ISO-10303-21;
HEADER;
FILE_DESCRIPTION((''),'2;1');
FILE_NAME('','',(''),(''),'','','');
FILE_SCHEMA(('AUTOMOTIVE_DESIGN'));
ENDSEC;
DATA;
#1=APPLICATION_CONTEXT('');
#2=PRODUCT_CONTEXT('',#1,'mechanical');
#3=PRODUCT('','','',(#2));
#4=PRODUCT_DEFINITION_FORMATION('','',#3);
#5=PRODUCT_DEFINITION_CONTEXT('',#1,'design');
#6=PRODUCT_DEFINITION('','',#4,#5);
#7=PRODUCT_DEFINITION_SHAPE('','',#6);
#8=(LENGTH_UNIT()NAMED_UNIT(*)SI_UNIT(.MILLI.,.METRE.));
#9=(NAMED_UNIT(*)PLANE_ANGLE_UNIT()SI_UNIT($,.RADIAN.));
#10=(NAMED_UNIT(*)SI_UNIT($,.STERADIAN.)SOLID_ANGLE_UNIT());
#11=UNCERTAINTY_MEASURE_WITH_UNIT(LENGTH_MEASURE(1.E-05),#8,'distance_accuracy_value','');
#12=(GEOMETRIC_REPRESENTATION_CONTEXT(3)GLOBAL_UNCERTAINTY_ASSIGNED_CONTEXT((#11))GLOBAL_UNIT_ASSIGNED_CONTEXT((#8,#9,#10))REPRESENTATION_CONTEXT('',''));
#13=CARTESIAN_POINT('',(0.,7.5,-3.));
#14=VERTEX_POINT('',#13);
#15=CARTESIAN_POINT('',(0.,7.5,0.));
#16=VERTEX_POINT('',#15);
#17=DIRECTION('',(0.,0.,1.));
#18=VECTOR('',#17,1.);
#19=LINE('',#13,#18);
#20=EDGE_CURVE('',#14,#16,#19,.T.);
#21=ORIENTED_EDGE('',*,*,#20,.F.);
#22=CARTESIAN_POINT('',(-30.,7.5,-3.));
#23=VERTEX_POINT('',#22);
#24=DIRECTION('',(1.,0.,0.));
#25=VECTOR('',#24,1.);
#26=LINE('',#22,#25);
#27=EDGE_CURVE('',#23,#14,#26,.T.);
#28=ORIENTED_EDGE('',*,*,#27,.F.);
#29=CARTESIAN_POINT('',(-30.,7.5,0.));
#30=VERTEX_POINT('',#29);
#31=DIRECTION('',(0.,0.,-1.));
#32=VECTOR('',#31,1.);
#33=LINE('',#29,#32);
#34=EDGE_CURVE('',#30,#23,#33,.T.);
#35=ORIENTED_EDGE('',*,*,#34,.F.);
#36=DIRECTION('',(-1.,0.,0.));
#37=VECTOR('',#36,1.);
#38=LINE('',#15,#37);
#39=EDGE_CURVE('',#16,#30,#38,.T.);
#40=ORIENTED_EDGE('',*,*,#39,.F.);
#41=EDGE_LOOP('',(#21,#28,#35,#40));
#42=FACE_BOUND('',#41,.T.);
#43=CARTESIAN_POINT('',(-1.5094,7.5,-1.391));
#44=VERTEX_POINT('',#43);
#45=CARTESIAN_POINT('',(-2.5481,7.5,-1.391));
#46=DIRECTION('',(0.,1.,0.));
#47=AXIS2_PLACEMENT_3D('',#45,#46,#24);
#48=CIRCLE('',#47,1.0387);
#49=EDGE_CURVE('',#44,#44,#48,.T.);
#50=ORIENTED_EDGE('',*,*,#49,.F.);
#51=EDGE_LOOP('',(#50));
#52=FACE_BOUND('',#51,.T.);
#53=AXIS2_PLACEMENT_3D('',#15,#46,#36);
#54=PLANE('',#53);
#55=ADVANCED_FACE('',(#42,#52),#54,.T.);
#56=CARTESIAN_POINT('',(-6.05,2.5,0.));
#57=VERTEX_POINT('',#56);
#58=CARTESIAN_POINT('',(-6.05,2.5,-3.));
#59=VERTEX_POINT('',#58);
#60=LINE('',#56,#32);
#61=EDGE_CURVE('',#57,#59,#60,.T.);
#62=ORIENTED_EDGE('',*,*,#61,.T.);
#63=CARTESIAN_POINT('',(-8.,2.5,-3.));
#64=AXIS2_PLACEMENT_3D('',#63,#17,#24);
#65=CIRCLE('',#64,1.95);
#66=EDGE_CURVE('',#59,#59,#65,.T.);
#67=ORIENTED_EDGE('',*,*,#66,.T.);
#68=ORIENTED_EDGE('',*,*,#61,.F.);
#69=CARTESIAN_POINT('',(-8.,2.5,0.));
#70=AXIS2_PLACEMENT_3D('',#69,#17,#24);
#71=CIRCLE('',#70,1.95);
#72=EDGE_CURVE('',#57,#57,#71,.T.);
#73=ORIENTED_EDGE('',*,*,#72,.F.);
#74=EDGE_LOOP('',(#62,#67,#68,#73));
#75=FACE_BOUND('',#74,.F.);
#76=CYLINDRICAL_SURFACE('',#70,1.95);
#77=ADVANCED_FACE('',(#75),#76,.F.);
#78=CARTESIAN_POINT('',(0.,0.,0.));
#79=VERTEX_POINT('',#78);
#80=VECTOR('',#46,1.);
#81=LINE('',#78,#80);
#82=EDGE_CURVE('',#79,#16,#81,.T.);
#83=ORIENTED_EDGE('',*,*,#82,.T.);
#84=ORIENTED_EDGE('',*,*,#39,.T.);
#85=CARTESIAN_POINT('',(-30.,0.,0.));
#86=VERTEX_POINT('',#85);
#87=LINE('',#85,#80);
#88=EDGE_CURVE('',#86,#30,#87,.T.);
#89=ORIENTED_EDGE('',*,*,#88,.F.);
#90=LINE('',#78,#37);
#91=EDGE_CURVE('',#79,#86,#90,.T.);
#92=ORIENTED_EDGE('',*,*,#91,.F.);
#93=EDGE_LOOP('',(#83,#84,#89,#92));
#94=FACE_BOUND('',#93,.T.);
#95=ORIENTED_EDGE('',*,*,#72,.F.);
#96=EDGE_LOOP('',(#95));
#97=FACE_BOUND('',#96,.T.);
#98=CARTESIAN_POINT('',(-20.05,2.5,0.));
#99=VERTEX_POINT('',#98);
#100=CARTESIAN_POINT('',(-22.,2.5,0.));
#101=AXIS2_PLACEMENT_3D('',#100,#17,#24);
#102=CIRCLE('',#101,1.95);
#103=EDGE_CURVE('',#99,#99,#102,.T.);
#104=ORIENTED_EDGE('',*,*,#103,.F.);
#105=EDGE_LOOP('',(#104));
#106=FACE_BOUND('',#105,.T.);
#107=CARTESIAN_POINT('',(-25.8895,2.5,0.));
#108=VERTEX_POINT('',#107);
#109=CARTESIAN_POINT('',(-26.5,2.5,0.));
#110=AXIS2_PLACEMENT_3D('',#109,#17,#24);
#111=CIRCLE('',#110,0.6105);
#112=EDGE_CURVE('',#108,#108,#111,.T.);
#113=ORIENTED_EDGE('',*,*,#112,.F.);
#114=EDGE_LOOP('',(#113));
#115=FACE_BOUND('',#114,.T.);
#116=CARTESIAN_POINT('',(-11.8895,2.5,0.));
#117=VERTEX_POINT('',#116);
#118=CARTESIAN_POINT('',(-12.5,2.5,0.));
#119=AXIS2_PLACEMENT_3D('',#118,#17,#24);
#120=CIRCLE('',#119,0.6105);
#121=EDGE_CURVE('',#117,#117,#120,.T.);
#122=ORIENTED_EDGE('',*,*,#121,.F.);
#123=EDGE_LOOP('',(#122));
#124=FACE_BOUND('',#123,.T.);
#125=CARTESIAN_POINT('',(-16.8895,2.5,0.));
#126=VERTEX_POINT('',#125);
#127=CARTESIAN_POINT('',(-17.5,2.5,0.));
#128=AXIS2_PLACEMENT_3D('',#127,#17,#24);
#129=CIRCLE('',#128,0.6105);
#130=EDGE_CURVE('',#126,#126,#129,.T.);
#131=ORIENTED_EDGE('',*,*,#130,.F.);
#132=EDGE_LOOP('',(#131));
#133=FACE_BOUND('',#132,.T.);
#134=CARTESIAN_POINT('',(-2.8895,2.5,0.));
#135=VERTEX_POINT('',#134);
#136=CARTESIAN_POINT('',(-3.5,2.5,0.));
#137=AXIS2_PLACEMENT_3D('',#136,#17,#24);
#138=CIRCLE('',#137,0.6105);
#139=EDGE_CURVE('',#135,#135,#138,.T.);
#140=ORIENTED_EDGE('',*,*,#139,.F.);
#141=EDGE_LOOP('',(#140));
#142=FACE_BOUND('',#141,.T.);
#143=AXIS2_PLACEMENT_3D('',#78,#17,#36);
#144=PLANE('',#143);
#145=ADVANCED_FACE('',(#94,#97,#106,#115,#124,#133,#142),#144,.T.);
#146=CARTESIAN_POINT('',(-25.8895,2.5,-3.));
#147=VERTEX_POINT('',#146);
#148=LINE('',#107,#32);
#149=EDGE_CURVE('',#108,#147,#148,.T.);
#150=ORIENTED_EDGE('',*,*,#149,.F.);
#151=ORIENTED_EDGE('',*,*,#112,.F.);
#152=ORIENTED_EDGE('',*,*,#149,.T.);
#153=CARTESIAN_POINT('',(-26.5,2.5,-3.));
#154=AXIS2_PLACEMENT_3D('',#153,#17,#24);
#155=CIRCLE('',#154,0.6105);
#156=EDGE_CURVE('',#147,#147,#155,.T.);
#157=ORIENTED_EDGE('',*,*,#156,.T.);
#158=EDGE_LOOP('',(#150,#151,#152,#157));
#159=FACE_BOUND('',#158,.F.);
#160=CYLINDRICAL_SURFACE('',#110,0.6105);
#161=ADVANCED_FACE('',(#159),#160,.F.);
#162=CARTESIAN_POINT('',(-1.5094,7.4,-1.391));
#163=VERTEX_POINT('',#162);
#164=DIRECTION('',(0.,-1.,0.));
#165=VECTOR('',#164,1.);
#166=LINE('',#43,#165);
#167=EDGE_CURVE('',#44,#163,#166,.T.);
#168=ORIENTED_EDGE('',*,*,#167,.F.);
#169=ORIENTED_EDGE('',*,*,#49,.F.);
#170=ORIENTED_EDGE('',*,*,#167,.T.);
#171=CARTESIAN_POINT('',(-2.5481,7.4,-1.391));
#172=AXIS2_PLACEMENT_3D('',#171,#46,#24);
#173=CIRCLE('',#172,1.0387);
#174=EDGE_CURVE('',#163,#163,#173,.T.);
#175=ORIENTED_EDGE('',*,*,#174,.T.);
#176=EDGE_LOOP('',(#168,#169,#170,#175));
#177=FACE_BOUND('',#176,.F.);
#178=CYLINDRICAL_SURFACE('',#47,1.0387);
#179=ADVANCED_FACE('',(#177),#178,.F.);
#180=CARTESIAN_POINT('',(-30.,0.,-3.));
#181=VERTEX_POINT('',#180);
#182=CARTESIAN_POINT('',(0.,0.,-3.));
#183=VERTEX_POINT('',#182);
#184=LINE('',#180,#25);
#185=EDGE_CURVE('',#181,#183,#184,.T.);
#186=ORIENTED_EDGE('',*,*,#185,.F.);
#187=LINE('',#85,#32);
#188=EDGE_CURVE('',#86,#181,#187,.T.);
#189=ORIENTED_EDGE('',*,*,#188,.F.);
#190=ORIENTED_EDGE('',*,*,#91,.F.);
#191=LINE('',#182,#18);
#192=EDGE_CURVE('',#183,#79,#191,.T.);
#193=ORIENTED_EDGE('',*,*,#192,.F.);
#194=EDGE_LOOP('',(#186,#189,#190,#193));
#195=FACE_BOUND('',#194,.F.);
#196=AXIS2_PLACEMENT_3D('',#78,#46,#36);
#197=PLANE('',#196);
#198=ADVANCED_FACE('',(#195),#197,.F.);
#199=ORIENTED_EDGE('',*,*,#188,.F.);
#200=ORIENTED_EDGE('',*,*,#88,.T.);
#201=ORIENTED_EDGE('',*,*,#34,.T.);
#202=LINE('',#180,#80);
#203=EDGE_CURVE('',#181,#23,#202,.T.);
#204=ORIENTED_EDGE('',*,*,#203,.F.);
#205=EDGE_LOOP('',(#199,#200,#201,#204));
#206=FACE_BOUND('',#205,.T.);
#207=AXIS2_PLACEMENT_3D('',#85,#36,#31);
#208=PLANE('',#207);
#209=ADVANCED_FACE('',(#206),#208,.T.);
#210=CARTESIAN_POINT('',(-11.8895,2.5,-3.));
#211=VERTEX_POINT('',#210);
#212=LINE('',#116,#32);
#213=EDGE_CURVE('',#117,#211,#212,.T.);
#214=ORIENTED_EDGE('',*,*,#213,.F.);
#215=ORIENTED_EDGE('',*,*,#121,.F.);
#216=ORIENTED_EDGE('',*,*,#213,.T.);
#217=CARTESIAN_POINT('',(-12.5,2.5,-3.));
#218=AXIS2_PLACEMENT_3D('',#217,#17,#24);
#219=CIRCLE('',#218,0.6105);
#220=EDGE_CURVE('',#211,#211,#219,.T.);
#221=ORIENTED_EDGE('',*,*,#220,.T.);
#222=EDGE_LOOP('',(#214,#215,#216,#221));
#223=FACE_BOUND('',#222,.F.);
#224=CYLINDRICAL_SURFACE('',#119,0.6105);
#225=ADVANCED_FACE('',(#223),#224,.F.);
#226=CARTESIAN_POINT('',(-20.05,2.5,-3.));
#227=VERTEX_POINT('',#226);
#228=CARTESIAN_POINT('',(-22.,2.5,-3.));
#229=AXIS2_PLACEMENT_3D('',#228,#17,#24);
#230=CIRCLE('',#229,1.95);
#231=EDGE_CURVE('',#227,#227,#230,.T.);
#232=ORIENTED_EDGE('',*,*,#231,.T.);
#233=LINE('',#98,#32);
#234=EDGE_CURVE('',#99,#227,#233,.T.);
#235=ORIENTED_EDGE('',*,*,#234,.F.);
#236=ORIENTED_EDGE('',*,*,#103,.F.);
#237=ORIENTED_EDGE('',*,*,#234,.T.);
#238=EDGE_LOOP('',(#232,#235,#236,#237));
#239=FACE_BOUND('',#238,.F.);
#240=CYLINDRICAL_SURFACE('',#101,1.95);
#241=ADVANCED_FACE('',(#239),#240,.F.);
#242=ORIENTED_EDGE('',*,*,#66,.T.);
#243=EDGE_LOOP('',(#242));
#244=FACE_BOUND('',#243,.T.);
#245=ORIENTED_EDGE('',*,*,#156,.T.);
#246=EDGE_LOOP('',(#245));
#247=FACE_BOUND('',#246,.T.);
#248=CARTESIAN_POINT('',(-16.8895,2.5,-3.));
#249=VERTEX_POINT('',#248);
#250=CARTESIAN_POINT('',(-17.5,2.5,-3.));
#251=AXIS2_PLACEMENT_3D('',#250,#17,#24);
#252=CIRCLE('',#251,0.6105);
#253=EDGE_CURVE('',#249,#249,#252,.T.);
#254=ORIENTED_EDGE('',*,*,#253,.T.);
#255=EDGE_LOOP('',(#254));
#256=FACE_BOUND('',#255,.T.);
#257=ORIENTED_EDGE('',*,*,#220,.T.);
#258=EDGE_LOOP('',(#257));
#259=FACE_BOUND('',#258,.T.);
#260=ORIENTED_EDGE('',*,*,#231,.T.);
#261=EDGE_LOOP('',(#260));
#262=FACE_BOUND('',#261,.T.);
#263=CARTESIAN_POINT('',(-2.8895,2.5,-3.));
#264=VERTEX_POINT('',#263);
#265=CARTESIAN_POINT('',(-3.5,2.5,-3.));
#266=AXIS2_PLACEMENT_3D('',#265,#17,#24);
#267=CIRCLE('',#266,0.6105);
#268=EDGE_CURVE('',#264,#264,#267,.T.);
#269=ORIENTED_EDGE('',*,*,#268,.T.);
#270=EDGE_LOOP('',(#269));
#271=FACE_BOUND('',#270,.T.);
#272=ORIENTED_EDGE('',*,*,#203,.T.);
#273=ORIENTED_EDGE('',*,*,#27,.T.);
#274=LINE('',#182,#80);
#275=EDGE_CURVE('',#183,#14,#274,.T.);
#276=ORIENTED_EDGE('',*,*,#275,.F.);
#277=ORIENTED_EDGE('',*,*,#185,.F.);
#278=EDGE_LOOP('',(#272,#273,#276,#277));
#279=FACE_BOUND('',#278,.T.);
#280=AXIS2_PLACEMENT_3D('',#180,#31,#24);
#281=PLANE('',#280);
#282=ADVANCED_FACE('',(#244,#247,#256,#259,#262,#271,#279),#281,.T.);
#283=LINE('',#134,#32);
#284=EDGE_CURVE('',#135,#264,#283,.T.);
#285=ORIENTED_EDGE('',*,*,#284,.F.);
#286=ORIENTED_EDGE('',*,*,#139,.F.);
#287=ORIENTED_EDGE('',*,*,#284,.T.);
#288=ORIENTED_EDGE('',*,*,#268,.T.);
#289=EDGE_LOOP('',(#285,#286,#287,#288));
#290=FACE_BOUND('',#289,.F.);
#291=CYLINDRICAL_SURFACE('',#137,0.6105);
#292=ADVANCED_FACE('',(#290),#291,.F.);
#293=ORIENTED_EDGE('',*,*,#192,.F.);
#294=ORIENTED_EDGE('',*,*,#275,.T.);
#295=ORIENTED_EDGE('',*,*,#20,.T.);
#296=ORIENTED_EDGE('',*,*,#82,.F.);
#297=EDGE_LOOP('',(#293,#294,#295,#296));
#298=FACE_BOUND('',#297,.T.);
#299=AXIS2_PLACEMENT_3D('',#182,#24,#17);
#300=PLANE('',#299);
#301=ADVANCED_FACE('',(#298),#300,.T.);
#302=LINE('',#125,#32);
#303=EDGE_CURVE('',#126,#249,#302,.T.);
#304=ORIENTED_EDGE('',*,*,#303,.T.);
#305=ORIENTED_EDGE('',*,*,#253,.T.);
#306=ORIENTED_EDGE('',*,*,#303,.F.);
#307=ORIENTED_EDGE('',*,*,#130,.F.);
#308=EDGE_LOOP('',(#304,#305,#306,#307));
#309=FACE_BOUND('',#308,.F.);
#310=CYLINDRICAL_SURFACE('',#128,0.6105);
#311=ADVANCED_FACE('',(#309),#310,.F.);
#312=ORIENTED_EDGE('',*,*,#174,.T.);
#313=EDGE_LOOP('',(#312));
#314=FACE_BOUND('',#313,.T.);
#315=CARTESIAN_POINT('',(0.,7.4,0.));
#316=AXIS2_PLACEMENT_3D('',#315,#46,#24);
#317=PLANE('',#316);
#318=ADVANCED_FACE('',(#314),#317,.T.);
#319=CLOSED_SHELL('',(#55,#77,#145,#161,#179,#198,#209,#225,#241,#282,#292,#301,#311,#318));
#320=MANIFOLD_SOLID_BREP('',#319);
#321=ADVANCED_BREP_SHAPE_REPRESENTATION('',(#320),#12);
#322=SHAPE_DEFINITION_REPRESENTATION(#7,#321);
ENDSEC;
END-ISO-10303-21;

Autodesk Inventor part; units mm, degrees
ref_plane "YZ Plane" through (0, 0, 0) normal (1, 0, 0) x (0, 1, 0)
ref_plane "XZ Plane" through (0, 0, 0) normal (0, 1, 0) x (-1, 0, 0)
ref_plane "XY Plane" through (0, 0, 0) normal (0, 0, 1) x (1, 0, 0)
sketch "Sketch1" plane through (0, 0, 0) normal (0, 1, 0) x (-1, 0, 0)
  line L0 (0, 0) -> (30, 0)
  line L1 (30, 0) -> (30, -3)
  line L2 (30, -3) -> (0, -3)
  line L3 (0, -3) -> (0, 0)
  dimension "d0" = 30
  dimension "d1" = 3
extrude "Extrusion1" add sketch "Sketch1" along normal blind 7.5
sketch "Sketch2" plane through (0, 7.5, 0) normal (0, 1, 0) x (1, 0, 0)
  circle A0 centre (-2.5481, 1.391) radius 1.0387
  point P0 (0, 0)
extrude "Extrusion2" cut sketch "Sketch2" against normal blind 0.1
sketch "Sketch3" plane through (-30, 0, 0) normal (0, 0, 1) x (1, 0, 0)
  circle A0 centre (26.5, 2.5) radius 0.6105
  line L0 (0, 0) -> (30, 0) projected
  line L1 (30, 0) -> (30, 7.5) projected
  circle A1 centre (22, 2.5) radius 1.95
  circle A2 centre (17.5, 2.5) radius 0.6105
  line L2 (30, 7.5) -> (0, 7.5) projected
  line L3 (0, 7.5) -> (30, 7.5)
  line L4 (30, 7.5) -> (15, 7.5)
  line L5 (15, 7.5) -> (15, 0)
  circle A3 centre (3.5, 2.5) radius 0.6105
  circle A4 centre (8, 2.5) radius 1.95
  circle A5 centre (12.5, 2.5) radius 0.6105
  dimension "d6" = 1.221
  dimension "d7" = 2.5
  dimension "d8" = 3.5
  dimension "d9" = 3.9
  dimension "d10" = 8
  dimension "d11" = 1.221
  dimension "d12" = 2.5
  dimension "d13" = 4.5
extrude "Extrusion3" cut sketch "Sketch3" against normal blind 3 contours A0 | A1 | A2 | A3 | A4 | A5
properties part number "backmidmotorwall"
